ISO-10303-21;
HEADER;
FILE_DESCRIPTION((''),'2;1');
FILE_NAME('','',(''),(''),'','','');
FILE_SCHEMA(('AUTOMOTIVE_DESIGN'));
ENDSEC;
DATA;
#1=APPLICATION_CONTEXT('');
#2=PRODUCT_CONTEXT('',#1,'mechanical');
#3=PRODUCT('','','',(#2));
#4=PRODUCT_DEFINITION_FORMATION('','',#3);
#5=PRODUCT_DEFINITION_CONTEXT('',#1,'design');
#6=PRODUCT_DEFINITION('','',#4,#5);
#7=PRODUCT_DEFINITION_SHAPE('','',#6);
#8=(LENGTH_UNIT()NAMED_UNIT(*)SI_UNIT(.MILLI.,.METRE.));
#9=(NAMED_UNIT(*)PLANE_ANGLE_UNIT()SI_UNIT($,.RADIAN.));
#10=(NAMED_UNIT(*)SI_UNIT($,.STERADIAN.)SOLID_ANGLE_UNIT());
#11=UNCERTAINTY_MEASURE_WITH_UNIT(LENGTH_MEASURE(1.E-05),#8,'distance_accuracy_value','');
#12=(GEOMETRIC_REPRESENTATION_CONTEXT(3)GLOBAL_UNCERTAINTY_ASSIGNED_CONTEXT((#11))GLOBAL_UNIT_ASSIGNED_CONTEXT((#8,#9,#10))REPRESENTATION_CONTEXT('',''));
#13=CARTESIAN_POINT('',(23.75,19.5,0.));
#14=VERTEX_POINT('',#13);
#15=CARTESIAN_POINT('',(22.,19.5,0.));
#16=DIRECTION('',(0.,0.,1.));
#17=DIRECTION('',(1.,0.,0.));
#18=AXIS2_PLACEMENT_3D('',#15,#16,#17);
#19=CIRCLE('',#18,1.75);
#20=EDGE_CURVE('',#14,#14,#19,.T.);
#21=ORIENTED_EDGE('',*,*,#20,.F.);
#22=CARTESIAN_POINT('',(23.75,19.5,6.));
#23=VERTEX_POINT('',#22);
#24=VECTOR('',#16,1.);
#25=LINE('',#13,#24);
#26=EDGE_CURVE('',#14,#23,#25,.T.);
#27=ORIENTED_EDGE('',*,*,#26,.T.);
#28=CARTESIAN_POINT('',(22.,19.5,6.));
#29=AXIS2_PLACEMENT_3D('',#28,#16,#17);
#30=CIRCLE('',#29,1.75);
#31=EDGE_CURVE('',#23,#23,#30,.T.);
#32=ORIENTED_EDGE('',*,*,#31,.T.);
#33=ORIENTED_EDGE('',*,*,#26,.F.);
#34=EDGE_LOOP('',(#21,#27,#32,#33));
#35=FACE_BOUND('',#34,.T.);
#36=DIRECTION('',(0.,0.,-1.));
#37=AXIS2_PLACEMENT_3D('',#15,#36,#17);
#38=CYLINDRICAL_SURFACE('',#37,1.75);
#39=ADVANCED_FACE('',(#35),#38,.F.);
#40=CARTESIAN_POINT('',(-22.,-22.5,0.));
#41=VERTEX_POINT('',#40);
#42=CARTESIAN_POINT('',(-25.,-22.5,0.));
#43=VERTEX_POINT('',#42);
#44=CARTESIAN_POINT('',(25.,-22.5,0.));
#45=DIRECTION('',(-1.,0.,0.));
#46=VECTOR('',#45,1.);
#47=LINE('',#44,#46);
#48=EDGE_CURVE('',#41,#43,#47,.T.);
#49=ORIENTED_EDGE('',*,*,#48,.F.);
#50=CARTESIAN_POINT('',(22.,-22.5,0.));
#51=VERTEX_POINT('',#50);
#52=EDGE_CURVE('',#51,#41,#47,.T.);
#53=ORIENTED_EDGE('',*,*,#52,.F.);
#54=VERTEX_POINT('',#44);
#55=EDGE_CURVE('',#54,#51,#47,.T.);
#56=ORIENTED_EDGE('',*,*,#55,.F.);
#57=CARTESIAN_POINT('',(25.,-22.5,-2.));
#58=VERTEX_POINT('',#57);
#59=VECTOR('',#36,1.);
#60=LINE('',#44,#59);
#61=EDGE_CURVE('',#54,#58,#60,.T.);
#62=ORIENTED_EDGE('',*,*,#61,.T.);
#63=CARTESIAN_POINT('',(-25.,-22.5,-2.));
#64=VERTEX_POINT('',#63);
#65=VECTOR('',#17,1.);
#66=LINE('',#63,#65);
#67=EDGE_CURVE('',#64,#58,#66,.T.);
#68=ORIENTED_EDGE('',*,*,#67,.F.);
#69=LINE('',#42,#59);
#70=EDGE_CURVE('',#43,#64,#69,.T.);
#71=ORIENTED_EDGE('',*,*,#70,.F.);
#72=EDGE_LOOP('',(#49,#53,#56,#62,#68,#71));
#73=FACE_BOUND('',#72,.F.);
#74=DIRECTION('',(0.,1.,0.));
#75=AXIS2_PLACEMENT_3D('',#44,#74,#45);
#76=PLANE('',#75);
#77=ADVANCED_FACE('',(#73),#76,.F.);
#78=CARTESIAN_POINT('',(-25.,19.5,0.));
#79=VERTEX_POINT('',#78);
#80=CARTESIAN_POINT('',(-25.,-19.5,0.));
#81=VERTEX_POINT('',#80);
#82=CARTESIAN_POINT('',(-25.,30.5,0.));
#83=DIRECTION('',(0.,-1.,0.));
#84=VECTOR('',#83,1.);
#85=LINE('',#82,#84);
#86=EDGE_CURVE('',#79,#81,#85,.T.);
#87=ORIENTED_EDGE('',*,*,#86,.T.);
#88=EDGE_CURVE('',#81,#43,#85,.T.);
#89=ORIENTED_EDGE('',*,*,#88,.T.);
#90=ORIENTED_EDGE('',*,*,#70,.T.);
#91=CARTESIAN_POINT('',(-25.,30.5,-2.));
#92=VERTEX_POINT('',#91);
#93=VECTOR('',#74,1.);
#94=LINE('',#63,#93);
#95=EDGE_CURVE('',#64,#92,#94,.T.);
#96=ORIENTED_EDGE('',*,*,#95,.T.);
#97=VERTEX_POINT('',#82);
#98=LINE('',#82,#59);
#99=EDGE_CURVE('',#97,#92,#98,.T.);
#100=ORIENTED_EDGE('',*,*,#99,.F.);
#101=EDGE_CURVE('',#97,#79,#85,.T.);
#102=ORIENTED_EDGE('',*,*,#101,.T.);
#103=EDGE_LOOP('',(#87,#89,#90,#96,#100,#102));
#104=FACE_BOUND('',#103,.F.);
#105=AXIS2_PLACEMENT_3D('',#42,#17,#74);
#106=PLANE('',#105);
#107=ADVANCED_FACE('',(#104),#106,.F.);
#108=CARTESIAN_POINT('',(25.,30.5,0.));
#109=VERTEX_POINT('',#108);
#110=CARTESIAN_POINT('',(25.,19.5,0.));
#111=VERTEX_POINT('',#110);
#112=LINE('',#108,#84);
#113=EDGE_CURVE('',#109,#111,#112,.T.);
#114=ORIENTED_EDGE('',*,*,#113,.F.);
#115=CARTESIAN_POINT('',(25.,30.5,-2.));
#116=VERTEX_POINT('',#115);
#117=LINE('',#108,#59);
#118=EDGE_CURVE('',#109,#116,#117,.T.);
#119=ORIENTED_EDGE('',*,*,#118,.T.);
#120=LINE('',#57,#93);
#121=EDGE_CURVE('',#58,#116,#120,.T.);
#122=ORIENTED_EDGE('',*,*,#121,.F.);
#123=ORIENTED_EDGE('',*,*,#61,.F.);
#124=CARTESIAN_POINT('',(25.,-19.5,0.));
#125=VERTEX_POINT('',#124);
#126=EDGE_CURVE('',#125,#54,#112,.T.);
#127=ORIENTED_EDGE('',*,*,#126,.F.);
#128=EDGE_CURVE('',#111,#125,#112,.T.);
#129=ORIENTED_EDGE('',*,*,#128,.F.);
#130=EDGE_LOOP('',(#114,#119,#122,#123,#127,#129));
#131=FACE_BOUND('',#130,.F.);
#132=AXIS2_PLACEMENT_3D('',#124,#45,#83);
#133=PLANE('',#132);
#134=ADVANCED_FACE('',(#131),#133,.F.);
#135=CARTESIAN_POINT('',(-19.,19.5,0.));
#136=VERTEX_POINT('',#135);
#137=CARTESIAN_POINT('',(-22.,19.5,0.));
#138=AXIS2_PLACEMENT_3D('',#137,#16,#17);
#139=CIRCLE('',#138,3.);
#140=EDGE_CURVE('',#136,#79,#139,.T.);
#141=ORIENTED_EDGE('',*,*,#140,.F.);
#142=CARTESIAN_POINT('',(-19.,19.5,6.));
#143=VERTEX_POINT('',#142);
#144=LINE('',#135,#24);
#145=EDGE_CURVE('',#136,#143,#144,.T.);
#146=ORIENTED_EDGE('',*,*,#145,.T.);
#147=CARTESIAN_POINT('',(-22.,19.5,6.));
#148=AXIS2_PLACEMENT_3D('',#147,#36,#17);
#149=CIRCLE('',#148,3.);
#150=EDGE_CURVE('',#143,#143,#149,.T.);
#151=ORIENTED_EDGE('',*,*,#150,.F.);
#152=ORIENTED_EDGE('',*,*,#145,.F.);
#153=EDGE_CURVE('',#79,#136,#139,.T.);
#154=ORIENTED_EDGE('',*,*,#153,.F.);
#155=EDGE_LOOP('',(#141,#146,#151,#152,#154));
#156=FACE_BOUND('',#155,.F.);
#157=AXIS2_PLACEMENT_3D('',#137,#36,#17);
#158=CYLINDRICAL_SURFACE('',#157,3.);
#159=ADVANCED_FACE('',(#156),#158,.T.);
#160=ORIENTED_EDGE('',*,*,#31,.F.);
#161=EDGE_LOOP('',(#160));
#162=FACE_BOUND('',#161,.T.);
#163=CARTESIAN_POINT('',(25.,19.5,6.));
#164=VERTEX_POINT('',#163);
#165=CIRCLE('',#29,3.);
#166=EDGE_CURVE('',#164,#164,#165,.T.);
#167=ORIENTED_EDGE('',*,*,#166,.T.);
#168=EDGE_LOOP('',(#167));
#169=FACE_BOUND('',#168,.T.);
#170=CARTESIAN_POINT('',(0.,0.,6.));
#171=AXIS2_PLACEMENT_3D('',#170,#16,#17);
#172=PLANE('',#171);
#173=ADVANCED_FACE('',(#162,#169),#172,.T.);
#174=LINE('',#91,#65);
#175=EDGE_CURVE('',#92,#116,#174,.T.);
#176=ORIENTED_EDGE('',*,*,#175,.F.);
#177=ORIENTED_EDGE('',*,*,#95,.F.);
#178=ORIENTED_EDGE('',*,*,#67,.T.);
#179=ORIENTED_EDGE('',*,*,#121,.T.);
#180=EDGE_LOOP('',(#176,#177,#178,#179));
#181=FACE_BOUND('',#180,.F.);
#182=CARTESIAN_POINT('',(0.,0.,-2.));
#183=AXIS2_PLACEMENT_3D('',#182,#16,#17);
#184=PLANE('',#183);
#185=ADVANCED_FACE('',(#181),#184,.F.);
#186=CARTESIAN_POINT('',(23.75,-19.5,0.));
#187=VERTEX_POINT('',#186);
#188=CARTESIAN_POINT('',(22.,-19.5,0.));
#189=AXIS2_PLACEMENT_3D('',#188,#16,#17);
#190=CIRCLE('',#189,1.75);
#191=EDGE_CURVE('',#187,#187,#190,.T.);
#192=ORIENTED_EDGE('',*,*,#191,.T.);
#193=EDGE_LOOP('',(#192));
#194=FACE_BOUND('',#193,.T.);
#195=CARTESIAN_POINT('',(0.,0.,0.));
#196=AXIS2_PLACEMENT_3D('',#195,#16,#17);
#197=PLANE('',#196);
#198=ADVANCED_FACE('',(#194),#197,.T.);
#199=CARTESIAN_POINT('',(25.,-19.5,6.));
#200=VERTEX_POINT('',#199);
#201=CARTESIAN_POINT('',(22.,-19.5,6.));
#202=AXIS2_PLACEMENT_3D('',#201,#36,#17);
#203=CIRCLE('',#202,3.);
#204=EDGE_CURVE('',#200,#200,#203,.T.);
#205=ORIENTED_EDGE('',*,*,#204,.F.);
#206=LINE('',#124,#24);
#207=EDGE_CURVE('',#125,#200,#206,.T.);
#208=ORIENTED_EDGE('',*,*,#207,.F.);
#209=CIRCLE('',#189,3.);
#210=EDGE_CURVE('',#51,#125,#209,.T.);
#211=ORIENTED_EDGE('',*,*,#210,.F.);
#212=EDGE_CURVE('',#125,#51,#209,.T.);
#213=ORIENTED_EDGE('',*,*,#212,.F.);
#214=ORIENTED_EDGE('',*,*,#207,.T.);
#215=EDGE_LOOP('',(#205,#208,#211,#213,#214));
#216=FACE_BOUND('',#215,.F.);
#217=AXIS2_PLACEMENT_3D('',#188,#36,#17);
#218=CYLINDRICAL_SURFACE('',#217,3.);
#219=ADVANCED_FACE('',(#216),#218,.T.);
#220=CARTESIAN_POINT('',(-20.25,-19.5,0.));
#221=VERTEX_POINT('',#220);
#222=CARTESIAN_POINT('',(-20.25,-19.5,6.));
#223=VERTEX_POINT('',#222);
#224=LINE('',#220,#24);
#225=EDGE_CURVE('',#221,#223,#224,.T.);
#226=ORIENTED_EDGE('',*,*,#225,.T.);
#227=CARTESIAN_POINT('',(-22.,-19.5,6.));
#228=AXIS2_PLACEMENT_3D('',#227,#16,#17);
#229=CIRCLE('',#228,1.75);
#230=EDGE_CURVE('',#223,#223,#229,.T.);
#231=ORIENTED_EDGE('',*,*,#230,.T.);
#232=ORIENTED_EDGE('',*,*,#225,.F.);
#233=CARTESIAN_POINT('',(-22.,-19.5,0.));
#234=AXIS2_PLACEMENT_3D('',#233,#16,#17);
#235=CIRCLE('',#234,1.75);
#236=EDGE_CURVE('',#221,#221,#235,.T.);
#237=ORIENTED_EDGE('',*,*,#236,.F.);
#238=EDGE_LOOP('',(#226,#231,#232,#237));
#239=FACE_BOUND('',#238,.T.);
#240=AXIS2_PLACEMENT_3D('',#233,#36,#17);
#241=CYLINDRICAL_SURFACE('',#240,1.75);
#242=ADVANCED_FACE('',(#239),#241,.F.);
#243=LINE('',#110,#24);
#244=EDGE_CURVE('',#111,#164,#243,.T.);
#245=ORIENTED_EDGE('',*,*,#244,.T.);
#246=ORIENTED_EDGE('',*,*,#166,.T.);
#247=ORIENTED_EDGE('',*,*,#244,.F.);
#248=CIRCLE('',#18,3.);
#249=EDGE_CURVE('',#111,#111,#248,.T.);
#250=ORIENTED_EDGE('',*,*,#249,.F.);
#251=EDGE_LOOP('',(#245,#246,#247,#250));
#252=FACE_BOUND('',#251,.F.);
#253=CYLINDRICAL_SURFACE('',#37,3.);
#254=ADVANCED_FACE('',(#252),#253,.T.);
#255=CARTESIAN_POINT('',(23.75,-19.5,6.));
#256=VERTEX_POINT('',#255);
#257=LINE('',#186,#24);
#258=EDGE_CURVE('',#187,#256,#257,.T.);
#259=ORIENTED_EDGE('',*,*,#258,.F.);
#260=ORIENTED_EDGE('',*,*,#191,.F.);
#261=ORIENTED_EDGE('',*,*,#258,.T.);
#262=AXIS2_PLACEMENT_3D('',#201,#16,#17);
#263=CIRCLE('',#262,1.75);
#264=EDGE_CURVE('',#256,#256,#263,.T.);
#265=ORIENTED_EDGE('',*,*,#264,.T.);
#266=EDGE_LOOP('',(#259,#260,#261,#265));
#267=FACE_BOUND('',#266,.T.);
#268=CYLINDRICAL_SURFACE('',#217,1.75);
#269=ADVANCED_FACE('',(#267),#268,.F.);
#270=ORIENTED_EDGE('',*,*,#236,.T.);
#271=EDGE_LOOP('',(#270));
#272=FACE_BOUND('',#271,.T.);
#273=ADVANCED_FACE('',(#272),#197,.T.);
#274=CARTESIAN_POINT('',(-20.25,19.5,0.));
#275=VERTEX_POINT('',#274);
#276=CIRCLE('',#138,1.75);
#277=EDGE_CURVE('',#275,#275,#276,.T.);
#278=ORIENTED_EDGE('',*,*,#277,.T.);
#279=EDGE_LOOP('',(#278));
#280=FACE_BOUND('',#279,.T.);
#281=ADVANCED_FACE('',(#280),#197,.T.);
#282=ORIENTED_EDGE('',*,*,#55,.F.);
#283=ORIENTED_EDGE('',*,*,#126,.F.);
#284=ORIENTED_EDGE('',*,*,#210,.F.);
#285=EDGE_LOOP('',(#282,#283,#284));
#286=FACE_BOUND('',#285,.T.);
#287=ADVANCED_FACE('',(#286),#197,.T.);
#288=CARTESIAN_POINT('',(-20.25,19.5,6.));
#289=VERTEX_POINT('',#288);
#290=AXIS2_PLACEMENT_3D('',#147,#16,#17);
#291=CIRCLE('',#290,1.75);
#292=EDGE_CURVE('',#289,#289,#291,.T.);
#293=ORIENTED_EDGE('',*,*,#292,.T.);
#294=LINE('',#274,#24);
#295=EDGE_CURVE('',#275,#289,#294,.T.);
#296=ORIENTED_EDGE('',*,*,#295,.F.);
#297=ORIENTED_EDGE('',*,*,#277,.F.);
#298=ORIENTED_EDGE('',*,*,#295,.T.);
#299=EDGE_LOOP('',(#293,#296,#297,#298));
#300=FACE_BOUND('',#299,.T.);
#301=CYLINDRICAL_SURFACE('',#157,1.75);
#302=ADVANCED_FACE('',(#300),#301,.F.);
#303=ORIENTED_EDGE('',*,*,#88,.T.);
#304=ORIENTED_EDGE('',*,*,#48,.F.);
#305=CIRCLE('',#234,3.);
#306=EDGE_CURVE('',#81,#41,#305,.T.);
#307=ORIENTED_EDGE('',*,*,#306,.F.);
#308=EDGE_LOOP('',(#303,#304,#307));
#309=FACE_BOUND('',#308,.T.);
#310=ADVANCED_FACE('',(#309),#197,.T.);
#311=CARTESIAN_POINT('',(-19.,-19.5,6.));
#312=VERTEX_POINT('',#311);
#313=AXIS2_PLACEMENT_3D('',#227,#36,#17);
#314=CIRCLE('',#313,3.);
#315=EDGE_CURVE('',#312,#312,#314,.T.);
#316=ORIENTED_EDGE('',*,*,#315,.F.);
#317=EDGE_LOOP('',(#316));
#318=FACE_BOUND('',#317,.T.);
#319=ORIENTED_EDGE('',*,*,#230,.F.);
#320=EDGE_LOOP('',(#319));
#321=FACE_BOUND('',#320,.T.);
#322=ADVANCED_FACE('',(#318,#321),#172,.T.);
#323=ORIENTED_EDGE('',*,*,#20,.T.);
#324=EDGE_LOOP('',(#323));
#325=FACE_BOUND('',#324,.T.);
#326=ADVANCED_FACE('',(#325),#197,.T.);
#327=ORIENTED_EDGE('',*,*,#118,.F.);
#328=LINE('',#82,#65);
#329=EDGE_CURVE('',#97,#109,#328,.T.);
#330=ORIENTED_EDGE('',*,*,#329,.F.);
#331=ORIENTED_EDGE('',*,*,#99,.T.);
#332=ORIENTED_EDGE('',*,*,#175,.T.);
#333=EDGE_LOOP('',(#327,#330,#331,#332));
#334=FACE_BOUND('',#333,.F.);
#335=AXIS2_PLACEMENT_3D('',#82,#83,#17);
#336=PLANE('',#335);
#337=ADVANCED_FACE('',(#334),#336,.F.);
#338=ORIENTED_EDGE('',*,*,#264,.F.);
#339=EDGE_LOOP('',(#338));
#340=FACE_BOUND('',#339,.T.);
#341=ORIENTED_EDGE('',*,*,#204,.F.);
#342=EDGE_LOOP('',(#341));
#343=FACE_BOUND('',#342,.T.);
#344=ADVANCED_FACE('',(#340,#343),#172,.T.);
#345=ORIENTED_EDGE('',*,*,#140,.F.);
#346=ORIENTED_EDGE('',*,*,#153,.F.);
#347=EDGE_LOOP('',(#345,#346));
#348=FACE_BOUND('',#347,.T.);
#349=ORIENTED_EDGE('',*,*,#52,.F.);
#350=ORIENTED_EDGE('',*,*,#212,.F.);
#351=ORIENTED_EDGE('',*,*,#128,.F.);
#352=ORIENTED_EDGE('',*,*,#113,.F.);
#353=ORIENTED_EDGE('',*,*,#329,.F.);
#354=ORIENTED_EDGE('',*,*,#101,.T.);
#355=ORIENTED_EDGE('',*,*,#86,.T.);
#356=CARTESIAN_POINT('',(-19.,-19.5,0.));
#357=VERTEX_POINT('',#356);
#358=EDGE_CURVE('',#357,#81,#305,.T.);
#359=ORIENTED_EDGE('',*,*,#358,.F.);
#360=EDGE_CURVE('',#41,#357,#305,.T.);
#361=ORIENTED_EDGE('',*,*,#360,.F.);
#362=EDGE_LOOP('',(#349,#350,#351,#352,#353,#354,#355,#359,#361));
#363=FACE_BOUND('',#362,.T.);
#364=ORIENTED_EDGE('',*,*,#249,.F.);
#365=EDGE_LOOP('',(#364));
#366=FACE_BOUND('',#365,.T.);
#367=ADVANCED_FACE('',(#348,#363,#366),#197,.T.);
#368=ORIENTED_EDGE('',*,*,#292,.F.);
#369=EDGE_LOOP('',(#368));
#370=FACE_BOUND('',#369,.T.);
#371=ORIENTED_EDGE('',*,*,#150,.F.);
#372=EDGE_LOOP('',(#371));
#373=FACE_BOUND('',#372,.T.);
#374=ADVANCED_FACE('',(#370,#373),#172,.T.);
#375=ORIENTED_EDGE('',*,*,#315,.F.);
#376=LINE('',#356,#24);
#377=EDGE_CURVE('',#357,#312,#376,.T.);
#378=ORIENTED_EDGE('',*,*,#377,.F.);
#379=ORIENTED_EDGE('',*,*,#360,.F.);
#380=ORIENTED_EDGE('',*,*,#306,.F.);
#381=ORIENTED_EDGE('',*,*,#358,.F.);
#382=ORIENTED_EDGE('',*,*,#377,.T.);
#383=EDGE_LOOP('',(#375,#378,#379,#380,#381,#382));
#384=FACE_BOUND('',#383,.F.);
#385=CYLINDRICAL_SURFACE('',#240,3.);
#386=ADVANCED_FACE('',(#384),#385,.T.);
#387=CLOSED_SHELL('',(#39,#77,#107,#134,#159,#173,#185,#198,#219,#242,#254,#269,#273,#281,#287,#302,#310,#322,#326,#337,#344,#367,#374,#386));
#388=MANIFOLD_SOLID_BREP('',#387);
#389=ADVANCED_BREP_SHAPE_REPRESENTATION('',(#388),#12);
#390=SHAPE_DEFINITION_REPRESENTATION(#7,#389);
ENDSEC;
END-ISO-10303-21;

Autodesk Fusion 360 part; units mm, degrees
sketch "Sketch1" plane through (0, 0, 0) normal (0, 0, 1) x (1, 0, 0)
  line L0 (25, -22.5) -> (-25, -22.5)
  line L1 (-25, -22.5) -> (-25, 30.5)
  line L2 (-25, 30.5) -> (25, 30.5)
  line L3 (25, 30.5) -> (25, -22.5)
  line L4 (22, -19.5) -> (-22, -19.5) construction
  line L5 (-22, -19.5) -> (-22, 19.5) construction
  line L6 (-22, 19.5) -> (22, 19.5) construction
  line L7 (22, 19.5) -> (22, -19.5) construction
  line L8 (22, -19.5) -> (-22, 19.5) construction
  line L9 (-22, -19.5) -> (22, 19.5) construction
  circle A0 centre (-22, 19.5) radius 1.75
  circle A1 centre (22, 19.5) radius 1.75
  circle A2 centre (22, -19.5) radius 1.75
  circle A3 centre (-22, -19.5) radius 1.75
  circle A4 centre (-22, -19.5) radius 3
  circle A5 centre (-22, 19.5) radius 3
  circle A6 centre (22, 19.5) radius 3
  circle A7 centre (22, -19.5) radius 3
  dimension "d1" = 50
  dimension "d2" = 53
  dimension "d3" = 39
  dimension "d4" = 44
  dimension "d5" = 3
  dimension "d6" = 3
  dimension "d7" = 3.5
  dimension "d8" = 3.5
  dimension "d9" = 3.5
  dimension "d10" = 3.5
  dimension "d11" = 6
  dimension "d12" = 6
  dimension "d13" = 6
  dimension "d14" = 6
extrude "Extrude1" add sketch "Sketch1" against normal blind 2 contours L0 L3 A7 | A6 | A5 | L0 L1 L2 L3 A4 A7 | A7 | L0 L1 A4 | A4 | A0 | A1 | A2 | A3
extrude "Extrude2" add sketch "Sketch1" along normal blind 6 contours A6 | A5 | A7 | A4
